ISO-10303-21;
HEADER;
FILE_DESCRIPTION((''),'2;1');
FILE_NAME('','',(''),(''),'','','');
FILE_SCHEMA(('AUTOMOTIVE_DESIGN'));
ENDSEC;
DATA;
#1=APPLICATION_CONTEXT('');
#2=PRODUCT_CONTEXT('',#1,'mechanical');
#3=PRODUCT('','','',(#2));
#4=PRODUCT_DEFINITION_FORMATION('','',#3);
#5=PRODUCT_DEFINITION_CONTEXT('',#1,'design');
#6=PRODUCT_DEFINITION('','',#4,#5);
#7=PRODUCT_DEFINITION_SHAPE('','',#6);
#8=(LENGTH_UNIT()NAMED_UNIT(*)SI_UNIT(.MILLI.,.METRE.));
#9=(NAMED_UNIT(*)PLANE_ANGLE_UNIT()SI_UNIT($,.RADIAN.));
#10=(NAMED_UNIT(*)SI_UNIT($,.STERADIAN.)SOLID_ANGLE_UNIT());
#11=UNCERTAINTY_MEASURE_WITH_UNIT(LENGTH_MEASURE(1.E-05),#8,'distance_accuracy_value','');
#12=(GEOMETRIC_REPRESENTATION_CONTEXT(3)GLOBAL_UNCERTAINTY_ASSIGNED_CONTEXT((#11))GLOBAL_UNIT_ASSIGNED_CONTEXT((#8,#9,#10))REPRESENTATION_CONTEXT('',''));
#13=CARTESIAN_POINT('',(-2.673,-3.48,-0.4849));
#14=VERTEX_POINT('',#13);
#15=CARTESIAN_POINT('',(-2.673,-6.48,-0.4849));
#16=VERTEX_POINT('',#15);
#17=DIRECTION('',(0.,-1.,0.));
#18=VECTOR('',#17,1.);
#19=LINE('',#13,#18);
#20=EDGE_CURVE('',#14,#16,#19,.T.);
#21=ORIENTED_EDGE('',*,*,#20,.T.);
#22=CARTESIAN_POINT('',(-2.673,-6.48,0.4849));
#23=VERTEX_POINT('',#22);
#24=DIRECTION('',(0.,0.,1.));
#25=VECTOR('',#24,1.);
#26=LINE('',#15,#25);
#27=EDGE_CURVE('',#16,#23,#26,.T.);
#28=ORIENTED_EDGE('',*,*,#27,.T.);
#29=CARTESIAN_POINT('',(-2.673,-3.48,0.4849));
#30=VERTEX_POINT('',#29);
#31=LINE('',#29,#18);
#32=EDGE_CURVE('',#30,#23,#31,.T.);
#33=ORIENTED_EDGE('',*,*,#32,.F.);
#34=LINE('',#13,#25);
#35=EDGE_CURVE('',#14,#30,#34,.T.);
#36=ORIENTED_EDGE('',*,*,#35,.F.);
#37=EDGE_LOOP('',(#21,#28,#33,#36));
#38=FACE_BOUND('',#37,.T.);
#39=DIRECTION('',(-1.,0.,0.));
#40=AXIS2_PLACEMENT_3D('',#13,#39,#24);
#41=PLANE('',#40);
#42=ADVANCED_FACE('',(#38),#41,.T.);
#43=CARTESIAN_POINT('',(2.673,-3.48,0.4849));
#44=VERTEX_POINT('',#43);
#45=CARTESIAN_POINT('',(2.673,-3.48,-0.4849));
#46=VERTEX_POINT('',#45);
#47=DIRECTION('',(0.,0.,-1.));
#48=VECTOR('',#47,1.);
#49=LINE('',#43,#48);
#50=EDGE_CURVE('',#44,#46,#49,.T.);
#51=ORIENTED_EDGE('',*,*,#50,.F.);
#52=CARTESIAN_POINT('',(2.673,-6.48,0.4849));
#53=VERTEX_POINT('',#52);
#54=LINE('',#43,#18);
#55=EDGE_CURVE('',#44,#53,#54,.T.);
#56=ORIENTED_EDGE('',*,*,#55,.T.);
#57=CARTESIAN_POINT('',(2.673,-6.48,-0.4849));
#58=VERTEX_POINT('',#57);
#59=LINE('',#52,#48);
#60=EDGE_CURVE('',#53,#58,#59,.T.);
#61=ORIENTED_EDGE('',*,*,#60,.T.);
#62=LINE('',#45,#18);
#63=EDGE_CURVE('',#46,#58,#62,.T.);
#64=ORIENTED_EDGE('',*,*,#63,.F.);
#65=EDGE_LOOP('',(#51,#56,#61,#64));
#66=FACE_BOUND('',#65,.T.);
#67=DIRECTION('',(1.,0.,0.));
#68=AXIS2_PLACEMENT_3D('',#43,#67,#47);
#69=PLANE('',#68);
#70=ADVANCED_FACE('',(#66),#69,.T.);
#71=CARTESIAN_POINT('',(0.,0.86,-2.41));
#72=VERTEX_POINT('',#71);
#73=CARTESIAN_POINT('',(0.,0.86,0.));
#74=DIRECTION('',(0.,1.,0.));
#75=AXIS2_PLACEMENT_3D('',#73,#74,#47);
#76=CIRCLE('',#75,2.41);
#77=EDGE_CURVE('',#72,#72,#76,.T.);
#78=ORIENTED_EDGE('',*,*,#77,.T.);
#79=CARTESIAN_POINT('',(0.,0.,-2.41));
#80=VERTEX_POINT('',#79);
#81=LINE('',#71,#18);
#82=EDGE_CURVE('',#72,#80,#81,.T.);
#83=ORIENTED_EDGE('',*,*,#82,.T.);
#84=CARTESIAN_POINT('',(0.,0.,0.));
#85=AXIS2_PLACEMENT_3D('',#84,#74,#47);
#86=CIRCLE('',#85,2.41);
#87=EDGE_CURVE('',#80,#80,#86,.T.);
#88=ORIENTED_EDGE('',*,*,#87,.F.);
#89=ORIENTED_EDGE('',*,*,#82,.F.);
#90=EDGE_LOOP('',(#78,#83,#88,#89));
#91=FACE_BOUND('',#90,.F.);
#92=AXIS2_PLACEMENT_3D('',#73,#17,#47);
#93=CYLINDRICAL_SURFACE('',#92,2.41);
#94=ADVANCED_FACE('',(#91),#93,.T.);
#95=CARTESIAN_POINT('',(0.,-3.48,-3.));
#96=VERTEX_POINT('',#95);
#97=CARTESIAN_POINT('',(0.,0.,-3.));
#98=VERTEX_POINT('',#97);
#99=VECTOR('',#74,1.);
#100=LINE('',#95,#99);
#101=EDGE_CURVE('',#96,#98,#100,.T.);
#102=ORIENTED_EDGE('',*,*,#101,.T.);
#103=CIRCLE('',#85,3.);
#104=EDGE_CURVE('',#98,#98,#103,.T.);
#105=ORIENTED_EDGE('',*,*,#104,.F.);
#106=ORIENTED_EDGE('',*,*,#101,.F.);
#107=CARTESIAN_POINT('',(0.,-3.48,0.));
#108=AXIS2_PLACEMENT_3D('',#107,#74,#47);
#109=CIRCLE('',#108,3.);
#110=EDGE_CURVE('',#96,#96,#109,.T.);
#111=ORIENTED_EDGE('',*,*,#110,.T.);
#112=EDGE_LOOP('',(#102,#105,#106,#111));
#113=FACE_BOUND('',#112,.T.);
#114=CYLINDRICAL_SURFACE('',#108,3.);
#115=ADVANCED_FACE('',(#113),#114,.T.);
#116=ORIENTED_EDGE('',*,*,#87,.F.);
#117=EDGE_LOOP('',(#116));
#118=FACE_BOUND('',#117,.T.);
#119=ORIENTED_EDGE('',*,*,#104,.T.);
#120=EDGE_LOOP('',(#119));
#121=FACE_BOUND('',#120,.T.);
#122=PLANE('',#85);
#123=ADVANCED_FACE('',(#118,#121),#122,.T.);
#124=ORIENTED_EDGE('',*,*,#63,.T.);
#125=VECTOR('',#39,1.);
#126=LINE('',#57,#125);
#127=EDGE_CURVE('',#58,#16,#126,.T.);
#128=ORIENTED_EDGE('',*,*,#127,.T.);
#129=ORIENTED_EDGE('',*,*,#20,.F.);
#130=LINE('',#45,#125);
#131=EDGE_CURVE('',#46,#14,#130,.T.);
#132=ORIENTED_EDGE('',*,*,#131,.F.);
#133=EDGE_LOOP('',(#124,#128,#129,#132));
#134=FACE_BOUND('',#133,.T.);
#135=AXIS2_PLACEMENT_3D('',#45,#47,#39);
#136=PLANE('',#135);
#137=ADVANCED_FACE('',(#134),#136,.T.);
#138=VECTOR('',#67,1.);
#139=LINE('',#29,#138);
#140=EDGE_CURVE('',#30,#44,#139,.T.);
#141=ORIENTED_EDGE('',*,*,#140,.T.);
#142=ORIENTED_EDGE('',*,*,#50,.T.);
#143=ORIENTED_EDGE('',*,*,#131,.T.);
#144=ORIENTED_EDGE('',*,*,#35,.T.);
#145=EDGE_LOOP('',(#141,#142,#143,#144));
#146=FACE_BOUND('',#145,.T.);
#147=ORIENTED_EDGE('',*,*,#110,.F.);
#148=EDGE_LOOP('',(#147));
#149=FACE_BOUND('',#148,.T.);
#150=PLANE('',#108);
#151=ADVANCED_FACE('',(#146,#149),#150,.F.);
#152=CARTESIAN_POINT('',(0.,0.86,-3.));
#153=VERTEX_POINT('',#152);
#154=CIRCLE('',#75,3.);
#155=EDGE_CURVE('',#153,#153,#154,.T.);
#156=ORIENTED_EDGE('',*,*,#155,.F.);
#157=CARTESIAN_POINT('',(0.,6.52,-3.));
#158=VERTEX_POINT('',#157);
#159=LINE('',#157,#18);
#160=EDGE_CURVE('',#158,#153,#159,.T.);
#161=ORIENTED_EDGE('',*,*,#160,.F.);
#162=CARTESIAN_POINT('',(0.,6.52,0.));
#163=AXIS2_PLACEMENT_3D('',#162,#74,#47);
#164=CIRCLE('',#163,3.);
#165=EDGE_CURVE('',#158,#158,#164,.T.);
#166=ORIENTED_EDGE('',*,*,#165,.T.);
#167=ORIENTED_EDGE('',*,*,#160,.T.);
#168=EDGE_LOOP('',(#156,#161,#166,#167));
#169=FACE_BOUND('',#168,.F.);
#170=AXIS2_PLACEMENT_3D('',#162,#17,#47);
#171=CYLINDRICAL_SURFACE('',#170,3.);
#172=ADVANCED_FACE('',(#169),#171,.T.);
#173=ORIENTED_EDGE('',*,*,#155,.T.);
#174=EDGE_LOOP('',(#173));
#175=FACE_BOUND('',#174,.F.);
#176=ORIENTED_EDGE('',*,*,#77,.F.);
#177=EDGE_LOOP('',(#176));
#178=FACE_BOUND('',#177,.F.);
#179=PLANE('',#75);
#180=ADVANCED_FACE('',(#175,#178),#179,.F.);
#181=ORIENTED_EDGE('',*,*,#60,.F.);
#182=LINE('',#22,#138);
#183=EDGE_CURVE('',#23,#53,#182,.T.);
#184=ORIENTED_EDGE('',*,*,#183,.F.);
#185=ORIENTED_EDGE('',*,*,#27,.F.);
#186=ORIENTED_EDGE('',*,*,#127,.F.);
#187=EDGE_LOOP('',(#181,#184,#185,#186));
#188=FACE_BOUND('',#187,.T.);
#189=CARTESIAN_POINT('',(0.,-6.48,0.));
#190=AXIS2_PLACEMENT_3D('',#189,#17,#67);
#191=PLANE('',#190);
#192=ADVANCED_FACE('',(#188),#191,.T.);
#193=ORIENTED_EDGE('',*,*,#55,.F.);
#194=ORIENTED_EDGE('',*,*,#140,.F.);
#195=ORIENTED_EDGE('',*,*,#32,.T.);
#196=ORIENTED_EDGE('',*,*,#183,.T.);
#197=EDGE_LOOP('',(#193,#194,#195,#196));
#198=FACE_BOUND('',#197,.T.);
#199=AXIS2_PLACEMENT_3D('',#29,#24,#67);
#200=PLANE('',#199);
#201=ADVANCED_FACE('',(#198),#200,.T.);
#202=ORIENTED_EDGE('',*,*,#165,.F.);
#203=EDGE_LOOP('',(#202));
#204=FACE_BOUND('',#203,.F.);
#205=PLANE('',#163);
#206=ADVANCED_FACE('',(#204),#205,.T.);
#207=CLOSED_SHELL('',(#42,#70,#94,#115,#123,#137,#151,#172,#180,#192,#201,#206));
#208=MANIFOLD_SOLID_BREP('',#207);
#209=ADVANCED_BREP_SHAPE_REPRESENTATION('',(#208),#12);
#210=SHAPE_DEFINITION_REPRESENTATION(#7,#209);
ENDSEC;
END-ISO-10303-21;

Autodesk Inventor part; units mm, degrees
ref_plane "YZ Plane" through (0, 0, 0) normal (1, 0, 0) x (0, 1, 0)
ref_plane "XZ Plane" through (0, 0, 0) normal (0, 1, 0) x (-1, 0, 0)
ref_plane "XY Plane" through (0, 0, 0) normal (0, 0, 1) x (1, 0, 0)
sketch "Sketch1" plane through (0, 0, 0) normal (1, 0, 0) x (0, 1, 0)
  line L0 (0, 0) -> (6.52, 0)
  line L1 (6.52, 0) -> (6.52, -3)
  line L2 (6.52, -3) -> (0.86, -3)
  line L3 (0.86, -3) -> (0.86, -2.41)
  line L4 (0.86, -2.41) -> (0, -2.41)
  line L5 (0, -2.41) -> (0, 0)
  line L6 (0, -6.589) -> (-0.9134, -6.589)
  line L7 (0, 0) -> (-3.48, 0)
  line L8 (-3.48, 0) -> (-3.48, -3)
  line L9 (-3.48, -3) -> (0, -3)
  line L10 (0, -3) -> (0, 0)
  point P0 (-0.9134, 0)
  dimension "d1" = 3
  dimension "d2" = 5.66
  dimension "d6" = 0.86
  dimension "d8" = 10
  dimension "d9" = 2.41
revolve "Revolution1" add sketch "Sketch1" angle 360 about axis through (0, 0, 0) along (0, 1, 0)
sketch "Sketch2" plane through (0, -3.48, 0) normal (0, -1, 0) x (1, 0, 0)
  circle A0 centre (0, 0) radius 3 projected
  line L0 (2.673, -0.4849) -> (-2.673, -0.4849)
  line L1 (-2.673, -0.4849) -> (-2.673, 0.4849)
  line L2 (-2.673, 0.4849) -> (2.673, 0.4849)
  line L3 (2.673, 0.4849) -> (2.673, -0.4849)
  line L4 (2.673, -0.4849) -> (-2.673, 0.4849) construction
  line L5 (-2.673, -0.4849) -> (2.673, 0.4849) construction
extrude "Extrusion1" add sketch "Sketch2" along normal blind 3 contours L0 L1 L2 L3
properties part number "00_IR_Laserdiode"
